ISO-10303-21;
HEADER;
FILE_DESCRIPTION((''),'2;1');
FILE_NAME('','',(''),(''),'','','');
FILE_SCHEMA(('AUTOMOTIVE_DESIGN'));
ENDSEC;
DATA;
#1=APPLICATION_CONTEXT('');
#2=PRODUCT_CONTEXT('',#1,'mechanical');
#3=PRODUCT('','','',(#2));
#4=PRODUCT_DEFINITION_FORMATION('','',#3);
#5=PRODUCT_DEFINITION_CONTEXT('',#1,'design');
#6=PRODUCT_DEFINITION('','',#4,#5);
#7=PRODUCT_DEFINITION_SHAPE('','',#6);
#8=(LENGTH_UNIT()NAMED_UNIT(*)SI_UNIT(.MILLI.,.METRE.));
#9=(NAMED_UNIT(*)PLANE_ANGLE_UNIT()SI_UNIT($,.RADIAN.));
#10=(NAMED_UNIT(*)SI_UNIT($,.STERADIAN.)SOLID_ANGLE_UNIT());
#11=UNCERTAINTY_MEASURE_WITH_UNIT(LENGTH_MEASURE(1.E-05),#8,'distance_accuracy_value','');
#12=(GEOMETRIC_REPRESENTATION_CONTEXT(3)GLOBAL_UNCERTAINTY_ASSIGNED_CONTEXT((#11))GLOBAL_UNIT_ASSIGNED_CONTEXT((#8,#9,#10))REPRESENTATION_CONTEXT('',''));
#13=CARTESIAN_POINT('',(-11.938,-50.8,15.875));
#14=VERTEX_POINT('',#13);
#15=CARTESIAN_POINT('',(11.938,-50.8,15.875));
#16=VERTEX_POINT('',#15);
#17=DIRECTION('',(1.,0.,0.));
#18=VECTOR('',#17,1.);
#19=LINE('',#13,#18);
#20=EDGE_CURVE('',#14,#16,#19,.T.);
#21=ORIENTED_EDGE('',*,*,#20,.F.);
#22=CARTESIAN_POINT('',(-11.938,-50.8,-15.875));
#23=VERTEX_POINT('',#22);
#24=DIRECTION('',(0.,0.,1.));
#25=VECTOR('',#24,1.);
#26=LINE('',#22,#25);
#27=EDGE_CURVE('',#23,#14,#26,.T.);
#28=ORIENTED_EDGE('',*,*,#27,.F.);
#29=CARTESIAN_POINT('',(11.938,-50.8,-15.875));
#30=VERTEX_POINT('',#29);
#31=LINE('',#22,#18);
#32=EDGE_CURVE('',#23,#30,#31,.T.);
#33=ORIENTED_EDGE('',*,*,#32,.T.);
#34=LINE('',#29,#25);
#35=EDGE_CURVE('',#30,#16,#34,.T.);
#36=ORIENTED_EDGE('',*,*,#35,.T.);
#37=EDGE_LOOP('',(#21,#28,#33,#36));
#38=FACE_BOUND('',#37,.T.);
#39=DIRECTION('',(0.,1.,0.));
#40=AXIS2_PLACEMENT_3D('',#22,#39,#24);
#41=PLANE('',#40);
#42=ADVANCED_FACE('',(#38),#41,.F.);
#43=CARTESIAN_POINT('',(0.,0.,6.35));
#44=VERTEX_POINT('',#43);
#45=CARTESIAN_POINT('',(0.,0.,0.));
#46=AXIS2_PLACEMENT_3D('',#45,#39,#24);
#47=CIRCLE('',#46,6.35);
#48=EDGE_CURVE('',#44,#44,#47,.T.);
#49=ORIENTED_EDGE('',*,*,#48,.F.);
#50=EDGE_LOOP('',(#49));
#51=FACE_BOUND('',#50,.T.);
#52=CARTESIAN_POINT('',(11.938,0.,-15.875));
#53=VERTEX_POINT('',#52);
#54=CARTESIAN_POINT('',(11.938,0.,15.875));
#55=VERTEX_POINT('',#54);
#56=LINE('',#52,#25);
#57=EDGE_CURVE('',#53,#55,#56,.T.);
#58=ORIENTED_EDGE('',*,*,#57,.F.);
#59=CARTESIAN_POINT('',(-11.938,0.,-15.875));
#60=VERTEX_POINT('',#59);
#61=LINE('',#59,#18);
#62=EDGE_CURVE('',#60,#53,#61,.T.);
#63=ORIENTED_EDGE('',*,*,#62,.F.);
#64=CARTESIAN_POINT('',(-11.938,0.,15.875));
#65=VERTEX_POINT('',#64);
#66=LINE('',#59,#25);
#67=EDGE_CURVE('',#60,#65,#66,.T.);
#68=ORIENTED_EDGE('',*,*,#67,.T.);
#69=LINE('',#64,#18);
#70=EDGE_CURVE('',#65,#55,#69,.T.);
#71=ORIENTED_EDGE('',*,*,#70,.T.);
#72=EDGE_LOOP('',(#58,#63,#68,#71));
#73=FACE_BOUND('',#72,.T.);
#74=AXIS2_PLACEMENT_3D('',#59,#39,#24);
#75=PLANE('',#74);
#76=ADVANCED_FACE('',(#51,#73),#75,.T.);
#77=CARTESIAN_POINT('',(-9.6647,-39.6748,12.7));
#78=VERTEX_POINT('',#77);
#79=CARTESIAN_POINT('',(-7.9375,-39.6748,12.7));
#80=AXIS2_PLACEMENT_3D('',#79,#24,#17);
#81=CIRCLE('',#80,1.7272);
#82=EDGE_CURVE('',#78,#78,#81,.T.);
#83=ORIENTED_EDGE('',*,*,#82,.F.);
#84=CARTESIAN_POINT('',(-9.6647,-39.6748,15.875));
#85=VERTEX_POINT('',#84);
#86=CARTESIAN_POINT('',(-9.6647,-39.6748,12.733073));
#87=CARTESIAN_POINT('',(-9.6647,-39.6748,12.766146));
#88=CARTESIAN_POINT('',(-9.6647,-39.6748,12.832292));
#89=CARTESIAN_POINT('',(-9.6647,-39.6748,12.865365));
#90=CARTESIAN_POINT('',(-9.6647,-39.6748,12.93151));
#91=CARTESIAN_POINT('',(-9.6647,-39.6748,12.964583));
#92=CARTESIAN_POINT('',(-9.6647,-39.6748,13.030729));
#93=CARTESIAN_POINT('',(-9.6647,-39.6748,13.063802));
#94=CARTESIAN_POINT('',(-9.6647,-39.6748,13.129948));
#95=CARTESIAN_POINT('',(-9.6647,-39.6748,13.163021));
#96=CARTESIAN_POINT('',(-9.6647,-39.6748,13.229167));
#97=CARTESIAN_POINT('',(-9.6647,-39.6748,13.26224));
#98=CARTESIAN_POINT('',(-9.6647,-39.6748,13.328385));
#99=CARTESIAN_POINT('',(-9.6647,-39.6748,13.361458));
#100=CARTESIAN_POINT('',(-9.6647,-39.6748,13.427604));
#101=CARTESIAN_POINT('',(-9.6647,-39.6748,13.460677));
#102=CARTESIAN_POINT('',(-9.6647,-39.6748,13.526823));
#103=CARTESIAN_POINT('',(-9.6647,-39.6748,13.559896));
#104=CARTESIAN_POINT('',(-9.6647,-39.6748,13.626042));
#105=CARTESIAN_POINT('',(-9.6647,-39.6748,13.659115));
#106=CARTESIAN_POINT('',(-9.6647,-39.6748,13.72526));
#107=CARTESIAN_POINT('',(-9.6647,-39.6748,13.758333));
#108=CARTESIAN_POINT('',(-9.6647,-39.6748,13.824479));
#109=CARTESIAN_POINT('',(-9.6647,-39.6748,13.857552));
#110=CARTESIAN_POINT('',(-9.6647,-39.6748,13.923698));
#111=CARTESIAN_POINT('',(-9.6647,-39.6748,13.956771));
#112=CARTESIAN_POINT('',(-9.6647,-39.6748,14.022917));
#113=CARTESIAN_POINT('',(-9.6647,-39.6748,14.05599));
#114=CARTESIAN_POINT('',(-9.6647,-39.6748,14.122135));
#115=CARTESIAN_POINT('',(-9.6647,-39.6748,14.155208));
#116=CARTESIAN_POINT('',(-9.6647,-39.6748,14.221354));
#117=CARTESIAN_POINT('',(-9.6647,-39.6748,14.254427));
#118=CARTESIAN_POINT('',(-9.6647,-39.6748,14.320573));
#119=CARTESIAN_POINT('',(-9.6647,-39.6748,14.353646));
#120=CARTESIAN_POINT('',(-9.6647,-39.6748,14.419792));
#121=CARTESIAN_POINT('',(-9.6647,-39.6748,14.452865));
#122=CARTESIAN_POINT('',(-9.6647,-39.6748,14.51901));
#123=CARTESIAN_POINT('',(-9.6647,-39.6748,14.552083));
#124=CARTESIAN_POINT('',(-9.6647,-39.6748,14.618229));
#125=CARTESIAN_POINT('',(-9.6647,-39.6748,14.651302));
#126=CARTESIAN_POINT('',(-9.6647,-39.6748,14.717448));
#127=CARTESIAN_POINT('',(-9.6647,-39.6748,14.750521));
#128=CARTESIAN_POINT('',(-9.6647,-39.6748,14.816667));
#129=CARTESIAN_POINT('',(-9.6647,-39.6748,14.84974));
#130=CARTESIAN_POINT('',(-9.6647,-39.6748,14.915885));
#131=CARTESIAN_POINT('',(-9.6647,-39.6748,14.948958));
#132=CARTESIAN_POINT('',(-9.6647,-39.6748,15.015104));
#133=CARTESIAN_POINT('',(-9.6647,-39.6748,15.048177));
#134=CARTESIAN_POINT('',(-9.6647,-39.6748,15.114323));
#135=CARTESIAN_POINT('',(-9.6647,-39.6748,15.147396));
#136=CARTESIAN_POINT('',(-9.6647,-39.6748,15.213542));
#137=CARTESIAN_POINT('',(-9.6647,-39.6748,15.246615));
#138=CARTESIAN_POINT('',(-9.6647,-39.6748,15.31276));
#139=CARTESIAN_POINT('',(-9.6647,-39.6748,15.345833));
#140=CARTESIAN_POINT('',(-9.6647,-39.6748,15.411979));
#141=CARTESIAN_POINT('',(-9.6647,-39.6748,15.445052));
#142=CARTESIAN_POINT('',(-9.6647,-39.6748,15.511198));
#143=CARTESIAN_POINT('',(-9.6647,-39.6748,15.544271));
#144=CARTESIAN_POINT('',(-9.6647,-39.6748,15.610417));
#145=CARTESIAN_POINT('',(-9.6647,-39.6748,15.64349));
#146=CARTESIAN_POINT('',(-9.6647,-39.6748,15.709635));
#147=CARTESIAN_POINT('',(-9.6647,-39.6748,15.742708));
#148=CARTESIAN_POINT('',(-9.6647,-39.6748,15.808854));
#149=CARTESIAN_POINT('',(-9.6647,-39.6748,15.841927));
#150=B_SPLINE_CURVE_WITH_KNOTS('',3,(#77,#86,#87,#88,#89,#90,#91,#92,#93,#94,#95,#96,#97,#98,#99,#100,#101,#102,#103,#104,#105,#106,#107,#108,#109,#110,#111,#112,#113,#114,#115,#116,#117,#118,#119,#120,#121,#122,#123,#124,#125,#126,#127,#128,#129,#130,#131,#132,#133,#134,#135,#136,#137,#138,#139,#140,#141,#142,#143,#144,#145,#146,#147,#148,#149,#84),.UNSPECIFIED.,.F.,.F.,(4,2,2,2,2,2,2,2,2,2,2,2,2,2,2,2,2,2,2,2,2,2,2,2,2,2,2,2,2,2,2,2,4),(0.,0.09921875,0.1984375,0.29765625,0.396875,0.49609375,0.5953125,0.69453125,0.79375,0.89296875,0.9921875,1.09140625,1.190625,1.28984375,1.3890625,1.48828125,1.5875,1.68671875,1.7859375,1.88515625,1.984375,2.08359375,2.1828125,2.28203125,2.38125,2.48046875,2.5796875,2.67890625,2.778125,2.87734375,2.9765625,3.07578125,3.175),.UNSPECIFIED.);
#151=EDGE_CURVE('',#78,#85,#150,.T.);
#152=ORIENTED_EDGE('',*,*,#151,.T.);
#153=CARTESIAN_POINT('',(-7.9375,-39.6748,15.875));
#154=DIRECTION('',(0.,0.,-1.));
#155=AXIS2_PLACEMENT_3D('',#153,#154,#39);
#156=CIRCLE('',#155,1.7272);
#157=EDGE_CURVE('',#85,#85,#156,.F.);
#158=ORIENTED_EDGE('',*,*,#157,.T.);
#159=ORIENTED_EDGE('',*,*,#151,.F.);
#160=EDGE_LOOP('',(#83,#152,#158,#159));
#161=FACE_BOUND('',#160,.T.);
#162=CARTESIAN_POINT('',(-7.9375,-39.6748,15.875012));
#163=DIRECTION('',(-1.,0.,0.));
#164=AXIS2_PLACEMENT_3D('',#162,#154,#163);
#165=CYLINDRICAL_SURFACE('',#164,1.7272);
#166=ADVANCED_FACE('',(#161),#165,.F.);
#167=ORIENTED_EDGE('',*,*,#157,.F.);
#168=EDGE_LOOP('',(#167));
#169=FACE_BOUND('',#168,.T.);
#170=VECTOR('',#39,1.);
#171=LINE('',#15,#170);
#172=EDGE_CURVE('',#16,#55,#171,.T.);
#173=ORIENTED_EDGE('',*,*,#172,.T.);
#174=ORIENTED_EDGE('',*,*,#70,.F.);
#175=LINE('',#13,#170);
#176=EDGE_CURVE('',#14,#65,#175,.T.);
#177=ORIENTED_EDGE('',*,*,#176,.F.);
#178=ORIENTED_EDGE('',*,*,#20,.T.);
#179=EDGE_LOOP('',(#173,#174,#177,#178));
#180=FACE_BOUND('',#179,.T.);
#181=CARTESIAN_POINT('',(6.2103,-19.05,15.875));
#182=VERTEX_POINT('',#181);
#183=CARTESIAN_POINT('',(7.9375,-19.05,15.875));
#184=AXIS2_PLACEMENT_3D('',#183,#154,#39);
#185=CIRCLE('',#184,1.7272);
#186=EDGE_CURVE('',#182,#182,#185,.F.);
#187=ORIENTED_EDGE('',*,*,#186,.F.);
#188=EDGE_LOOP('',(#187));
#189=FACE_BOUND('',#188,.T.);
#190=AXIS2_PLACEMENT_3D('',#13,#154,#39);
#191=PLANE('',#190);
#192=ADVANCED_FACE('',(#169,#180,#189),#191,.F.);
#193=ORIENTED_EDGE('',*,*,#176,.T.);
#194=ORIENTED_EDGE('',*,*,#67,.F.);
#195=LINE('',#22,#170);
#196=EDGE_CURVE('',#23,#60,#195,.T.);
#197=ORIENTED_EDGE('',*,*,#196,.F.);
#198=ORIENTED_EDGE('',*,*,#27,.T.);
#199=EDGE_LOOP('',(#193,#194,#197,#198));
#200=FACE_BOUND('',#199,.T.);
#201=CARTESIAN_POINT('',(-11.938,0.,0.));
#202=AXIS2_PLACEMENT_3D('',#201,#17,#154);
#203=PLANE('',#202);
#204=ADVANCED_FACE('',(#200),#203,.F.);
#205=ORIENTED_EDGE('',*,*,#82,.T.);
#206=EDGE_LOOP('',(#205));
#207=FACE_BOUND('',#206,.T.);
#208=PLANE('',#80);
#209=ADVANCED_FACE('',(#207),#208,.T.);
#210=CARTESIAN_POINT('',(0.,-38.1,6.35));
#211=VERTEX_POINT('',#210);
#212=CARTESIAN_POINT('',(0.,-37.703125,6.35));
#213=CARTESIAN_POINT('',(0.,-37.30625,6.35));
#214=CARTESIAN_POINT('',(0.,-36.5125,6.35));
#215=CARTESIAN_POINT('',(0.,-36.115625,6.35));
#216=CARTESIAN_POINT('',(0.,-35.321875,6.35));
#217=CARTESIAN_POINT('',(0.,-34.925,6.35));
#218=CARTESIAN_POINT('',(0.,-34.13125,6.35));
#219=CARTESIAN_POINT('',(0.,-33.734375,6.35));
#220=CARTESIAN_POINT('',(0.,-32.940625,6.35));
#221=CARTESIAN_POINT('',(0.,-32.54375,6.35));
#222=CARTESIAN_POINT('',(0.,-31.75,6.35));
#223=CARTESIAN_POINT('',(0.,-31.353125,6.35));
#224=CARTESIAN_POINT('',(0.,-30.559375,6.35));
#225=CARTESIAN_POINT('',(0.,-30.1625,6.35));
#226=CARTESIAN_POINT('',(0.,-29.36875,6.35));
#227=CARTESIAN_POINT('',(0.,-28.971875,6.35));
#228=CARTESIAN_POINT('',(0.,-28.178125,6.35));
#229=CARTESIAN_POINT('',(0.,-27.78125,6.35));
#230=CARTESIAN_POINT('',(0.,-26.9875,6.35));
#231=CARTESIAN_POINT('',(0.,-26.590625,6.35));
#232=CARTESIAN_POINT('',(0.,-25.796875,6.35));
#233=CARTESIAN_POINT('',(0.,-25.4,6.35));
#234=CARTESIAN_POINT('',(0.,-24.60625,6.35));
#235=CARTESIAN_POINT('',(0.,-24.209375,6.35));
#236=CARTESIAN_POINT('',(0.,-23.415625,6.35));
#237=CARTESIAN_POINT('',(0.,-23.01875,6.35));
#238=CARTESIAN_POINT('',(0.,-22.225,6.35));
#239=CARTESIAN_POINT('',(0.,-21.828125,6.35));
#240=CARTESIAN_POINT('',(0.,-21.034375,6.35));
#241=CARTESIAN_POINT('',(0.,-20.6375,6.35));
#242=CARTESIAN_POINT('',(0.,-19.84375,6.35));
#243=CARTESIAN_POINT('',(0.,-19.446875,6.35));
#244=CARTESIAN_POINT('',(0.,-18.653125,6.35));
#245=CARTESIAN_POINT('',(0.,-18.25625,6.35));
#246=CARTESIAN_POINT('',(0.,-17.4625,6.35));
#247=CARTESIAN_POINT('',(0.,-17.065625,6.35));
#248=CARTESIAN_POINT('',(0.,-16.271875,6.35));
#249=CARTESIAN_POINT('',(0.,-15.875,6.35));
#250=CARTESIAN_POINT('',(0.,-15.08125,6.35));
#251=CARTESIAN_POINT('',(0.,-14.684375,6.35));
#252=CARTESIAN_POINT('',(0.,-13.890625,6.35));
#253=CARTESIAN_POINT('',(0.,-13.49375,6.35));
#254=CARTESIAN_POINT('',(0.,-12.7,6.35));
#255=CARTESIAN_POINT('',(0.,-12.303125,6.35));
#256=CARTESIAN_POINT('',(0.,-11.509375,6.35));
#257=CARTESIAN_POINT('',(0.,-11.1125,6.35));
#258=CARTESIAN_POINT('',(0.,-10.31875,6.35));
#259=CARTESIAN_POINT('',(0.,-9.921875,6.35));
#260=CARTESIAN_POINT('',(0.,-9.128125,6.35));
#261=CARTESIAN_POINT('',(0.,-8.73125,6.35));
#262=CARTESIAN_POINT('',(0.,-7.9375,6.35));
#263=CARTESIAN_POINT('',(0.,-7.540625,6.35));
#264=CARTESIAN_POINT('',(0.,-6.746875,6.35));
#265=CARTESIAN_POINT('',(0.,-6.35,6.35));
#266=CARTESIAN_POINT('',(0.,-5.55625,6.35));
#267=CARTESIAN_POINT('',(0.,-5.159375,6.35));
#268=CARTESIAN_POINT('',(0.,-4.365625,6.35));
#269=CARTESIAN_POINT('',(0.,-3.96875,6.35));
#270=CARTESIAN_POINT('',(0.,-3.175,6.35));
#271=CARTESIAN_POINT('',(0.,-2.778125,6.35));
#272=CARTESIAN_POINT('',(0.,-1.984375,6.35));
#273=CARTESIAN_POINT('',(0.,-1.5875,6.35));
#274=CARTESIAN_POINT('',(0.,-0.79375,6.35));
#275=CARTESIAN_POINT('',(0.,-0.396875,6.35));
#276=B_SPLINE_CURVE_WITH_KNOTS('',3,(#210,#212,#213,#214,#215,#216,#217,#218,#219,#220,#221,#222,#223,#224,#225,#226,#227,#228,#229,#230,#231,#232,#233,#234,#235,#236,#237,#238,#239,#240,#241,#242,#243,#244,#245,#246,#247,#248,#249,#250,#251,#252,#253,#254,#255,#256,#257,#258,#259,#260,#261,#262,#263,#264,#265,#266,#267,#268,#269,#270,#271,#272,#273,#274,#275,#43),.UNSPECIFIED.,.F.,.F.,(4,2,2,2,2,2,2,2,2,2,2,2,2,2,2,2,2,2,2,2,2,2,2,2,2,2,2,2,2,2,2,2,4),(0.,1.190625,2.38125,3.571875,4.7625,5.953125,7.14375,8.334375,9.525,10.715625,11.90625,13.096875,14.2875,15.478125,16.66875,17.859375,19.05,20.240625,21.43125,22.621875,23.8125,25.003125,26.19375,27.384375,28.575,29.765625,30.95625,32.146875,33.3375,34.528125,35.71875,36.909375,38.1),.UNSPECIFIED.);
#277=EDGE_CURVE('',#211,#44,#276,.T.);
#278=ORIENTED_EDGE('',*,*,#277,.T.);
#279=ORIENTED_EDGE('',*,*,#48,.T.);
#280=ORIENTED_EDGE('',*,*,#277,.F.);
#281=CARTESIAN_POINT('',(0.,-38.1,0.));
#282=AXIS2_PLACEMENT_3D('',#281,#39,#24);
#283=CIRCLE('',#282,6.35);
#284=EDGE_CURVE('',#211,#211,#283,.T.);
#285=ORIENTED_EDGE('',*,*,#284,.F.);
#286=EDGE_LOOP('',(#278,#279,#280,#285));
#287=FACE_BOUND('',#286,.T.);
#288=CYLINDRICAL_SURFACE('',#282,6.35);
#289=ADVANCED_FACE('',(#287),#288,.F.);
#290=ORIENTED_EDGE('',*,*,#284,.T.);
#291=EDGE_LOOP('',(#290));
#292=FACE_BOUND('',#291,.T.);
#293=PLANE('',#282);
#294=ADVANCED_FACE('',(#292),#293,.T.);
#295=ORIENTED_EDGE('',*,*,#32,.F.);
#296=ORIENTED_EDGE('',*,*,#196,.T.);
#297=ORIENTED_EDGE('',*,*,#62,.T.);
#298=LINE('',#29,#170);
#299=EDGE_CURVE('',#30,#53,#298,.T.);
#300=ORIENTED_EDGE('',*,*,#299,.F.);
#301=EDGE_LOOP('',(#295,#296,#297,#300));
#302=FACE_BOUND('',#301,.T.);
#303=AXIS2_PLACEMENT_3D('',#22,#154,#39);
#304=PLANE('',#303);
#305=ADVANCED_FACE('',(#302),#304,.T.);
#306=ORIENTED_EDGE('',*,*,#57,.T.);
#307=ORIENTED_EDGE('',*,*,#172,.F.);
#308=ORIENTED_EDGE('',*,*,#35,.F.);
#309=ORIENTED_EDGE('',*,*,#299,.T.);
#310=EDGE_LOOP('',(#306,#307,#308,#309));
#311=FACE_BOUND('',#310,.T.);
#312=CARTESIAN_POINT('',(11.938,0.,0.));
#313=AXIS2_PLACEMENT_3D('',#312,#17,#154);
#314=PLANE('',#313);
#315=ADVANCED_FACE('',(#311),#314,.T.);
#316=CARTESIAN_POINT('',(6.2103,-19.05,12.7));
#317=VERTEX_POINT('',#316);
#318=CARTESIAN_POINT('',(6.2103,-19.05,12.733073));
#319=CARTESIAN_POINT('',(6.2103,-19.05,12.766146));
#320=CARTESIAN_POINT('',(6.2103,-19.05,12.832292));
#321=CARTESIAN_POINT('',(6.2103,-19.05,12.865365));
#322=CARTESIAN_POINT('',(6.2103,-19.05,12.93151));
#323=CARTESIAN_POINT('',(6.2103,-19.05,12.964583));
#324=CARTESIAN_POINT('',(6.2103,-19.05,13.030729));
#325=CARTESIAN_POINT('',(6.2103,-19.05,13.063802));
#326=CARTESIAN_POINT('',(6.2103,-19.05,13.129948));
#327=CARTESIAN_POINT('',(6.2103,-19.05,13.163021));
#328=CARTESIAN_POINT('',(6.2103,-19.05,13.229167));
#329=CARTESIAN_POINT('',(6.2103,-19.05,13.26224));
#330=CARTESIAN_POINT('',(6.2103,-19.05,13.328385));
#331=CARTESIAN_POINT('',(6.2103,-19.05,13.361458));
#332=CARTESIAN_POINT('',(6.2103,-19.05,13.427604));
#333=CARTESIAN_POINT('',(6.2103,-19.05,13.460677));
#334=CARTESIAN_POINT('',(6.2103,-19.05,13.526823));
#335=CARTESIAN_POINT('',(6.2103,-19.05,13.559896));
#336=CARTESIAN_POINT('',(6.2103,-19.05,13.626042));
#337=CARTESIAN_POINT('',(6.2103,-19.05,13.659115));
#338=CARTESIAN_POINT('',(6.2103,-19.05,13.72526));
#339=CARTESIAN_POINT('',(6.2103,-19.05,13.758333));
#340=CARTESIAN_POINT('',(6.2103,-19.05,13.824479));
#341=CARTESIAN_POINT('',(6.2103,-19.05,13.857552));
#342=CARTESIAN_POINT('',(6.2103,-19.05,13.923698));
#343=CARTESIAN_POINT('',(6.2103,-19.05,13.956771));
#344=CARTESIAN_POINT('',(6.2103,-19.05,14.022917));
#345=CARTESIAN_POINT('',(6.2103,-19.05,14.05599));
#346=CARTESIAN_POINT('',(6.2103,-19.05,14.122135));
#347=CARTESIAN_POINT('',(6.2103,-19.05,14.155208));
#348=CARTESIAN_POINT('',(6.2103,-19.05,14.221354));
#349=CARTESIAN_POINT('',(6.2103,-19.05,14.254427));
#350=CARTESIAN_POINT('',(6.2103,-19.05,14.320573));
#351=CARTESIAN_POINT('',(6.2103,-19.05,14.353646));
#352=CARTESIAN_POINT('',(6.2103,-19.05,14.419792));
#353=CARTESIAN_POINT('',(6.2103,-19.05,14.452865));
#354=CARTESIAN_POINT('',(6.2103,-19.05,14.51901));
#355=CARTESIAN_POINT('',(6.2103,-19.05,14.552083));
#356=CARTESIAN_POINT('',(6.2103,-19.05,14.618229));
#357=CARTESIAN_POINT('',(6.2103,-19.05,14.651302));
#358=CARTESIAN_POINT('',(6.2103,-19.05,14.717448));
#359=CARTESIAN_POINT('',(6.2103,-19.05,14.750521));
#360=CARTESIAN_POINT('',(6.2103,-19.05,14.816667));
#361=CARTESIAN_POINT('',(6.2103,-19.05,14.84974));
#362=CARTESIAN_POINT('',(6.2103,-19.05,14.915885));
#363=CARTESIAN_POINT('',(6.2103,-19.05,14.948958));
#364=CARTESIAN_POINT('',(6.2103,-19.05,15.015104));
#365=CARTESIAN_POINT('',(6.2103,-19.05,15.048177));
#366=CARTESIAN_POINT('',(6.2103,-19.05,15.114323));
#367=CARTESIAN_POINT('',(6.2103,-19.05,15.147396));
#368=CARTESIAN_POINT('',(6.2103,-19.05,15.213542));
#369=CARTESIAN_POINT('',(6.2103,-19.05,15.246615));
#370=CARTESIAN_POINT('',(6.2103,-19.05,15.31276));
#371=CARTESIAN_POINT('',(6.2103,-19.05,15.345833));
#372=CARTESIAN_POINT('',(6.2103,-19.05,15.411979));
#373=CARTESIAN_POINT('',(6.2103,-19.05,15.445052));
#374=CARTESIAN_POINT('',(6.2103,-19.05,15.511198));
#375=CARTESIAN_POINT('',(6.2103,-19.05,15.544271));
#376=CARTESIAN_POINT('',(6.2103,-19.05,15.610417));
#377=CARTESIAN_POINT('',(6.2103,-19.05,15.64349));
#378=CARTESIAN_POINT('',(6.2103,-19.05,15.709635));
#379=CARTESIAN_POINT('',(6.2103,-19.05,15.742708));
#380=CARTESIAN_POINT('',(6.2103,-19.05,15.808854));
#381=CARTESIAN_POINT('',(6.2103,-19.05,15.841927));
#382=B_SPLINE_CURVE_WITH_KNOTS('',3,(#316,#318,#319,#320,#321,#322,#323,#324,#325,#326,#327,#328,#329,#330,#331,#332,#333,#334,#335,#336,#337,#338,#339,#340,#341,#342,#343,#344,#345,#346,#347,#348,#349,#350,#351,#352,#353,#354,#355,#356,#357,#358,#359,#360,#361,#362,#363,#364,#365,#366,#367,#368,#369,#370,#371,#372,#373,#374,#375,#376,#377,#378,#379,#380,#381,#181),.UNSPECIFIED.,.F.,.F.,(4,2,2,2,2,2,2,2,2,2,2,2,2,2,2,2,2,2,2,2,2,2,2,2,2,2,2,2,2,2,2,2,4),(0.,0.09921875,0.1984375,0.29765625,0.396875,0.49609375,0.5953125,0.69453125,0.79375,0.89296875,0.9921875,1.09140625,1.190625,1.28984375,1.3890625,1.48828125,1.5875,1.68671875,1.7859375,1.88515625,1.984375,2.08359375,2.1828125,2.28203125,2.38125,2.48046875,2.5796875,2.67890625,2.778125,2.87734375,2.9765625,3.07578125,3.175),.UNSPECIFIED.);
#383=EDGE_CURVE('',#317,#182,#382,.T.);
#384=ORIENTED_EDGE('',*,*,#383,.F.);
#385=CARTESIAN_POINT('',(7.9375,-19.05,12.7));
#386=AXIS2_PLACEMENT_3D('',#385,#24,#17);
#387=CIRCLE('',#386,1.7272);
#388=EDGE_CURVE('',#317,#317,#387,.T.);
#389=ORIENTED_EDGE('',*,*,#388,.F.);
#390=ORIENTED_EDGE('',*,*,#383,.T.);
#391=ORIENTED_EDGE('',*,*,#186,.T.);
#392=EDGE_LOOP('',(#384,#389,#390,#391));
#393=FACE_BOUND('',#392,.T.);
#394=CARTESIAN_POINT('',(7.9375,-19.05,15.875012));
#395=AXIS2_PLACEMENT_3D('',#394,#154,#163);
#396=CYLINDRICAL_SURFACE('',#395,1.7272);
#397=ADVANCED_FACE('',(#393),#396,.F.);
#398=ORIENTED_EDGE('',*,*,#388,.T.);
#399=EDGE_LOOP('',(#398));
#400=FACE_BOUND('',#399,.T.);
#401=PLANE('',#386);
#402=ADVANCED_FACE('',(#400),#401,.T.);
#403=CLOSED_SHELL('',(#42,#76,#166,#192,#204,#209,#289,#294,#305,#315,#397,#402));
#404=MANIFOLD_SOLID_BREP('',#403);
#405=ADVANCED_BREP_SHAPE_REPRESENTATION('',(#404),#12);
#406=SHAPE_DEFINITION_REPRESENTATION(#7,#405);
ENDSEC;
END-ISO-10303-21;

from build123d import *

# Parameters (mm, degrees)
BOSS_EXTRUDE1_DEPTH      = 11.938
BOSS_EXTRUDE1_DEPTH_BACK = 11.938
SKETCH1_W                = 31.75
SKETCH1_H                = 50.8
CUT_EXTRUDE2_DEPTH       = 62.083699495
CUT_EXTRUDE2_DEPTH_BACK  = 3.175
SKETCH3_R                = 1.7272
SKETCH4_R                = 6.35
CUT_EXTRUDE3_DEPTH       = 38.1


with BuildPart() as part:
    # Sketch1 → Boss-Extrude1 (new, two sides: drawn at the far end of the back side and taken through both)
    with BuildSketch(Plane(origin=(0, 0, 0), x_dir=(0, 0, -1), z_dir=(1, 0, 0)).offset(-BOSS_EXTRUDE1_DEPTH_BACK)):
        with Locations((0, -25.4)):
            Rectangle(SKETCH1_W, SKETCH1_H)
    extrude(amount=BOSS_EXTRUDE1_DEPTH + BOSS_EXTRUDE1_DEPTH_BACK)

    # Sketch3 → Cut-Extrude2 (cut, two sides: drawn at the far end of the back side and taken through both)
    with BuildSketch(Plane.XY.offset(15.875).offset(-CUT_EXTRUDE2_DEPTH_BACK)):
        with Locations(Location((7.9375, -19.05, 0), (0, 0, 180))):
            Circle(SKETCH3_R)
        with Locations(Location((-7.9375, -39.6748, 0), (0, 0, 180))):
            Circle(SKETCH3_R)
    extrude(amount=CUT_EXTRUDE2_DEPTH + CUT_EXTRUDE2_DEPTH_BACK, mode=Mode.SUBTRACT)

    # Sketch4 → Cut-Extrude3 (cut)
    with BuildSketch(Plane(origin=(0, 0, 0), x_dir=(1, 0, 0), z_dir=(0, 1, 0))):
        with Locations(Location((0, 0, 0), (0, 0, 270))):
            Circle(SKETCH4_R)
    extrude(amount=-CUT_EXTRUDE3_DEPTH, mode=Mode.SUBTRACT)


solid = part.part
